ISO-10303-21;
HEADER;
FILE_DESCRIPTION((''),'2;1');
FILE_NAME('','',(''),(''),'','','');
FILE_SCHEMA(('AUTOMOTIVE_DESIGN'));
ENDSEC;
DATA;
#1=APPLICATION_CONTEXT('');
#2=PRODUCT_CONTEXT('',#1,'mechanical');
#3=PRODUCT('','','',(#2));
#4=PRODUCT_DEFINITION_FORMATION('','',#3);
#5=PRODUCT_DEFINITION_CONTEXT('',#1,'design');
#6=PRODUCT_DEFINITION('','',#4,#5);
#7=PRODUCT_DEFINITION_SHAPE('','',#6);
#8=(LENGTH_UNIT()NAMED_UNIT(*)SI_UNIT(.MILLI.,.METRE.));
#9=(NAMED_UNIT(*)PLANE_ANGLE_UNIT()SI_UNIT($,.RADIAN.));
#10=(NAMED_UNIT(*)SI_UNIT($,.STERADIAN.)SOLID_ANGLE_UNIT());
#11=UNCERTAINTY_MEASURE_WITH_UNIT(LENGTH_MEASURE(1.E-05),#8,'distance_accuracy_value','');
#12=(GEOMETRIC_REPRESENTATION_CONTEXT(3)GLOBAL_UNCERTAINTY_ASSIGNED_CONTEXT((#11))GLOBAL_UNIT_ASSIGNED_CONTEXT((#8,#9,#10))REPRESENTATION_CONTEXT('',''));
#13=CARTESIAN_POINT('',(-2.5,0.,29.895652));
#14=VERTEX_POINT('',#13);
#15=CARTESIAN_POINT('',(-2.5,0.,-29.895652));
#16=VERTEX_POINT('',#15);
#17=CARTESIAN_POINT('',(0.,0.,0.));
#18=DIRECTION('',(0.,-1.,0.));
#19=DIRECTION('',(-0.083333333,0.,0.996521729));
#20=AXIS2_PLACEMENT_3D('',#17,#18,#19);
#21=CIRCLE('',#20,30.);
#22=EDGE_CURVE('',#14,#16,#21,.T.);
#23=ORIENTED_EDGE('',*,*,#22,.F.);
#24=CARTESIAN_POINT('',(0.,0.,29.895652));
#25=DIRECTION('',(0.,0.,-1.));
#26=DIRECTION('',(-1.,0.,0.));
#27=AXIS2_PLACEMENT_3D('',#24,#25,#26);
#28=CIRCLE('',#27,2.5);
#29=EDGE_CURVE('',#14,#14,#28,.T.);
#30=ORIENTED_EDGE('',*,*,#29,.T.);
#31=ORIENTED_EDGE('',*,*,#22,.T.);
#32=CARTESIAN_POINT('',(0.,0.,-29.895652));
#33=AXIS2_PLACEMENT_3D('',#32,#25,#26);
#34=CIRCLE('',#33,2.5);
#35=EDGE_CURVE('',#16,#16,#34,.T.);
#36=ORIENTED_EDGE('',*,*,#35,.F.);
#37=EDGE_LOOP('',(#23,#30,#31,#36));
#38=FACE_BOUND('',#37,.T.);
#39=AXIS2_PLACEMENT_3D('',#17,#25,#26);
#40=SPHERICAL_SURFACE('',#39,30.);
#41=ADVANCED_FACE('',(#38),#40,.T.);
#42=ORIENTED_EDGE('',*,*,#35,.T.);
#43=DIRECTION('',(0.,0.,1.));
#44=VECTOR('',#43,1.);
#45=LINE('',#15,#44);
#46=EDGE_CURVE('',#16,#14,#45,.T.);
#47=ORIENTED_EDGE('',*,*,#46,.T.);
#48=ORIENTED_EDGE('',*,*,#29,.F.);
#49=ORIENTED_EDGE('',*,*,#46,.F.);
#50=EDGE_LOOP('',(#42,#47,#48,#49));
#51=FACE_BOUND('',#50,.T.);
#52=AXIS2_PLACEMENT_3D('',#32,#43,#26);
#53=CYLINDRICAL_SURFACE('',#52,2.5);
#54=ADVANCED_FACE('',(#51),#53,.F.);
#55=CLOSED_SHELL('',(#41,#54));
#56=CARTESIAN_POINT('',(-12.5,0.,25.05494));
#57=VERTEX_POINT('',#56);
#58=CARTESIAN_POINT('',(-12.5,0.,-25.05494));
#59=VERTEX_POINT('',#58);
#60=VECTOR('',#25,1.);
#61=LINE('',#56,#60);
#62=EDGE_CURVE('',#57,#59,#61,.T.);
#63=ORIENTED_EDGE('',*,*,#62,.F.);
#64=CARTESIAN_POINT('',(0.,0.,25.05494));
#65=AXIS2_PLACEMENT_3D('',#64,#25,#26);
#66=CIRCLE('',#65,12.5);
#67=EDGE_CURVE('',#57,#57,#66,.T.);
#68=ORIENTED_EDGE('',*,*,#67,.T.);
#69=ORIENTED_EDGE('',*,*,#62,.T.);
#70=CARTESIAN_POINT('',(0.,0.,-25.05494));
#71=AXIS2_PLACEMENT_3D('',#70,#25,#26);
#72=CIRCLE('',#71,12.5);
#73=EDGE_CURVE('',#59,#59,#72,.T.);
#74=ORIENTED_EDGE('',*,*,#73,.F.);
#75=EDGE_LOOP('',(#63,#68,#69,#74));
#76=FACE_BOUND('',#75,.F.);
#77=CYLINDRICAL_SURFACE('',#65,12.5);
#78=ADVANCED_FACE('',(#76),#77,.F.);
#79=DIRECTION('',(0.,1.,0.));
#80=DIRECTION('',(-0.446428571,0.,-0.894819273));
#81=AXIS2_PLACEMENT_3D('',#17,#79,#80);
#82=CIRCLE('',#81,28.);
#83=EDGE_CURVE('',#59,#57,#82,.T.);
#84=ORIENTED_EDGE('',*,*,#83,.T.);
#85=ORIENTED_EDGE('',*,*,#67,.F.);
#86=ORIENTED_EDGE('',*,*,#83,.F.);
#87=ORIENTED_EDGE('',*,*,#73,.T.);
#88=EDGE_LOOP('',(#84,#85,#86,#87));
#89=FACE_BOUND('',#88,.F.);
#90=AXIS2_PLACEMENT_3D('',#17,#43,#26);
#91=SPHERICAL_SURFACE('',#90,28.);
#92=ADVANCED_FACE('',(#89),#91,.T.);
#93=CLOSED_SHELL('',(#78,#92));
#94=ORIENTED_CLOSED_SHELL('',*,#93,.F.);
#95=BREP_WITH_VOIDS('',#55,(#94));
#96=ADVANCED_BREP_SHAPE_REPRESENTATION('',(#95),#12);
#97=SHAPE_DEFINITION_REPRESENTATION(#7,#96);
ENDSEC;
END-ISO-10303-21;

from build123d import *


with BuildPart() as f1:
    # F0 (on Front) → F1 (revolve)
    with BuildSketch(Plane.XZ):
        with BuildLine():
            Line((-2.5, 27.8881695348), (-2.5, 29.8956518578))
            ThreePointArc((-2.5, 29.8956518578), (-30, 0), (-2.5, -29.8956518578))
            Line((-2.5, -29.8956518578), (-2.5, -27.8881695348))
            ThreePointArc((-2.5, -27.8881695348), (-7.6326140948, -26.9396214168), (-12.5, -25.0549396327))
            ThreePointArc((-12.5, -25.0549396327), (-28, 0), (-12.5, 25.0549396327))
            ThreePointArc((-12.5, 25.0549396327), (-7.6326140948, 26.9396214168), (-2.5, 27.8881695348))
        make_face()
        with BuildLine():
            Line((-2.5, -27.8881695348), (-2.5, 27.8881695348))
            ThreePointArc((-2.5, 27.8881695348), (-7.6326140948, 26.9396214168), (-12.5, 25.0549396327))
            Line((-12.5, 25.0549396327), (-12.5, -25.0549396327))
            ThreePointArc((-12.5, -25.0549396327), (-7.6326140948, -26.9396214168), (-2.5, -27.8881695348))
        make_face()
    revolve(axis=Axis((0, 0, 1.2418618426), (0, 0, -1)))


solid = f1.part
